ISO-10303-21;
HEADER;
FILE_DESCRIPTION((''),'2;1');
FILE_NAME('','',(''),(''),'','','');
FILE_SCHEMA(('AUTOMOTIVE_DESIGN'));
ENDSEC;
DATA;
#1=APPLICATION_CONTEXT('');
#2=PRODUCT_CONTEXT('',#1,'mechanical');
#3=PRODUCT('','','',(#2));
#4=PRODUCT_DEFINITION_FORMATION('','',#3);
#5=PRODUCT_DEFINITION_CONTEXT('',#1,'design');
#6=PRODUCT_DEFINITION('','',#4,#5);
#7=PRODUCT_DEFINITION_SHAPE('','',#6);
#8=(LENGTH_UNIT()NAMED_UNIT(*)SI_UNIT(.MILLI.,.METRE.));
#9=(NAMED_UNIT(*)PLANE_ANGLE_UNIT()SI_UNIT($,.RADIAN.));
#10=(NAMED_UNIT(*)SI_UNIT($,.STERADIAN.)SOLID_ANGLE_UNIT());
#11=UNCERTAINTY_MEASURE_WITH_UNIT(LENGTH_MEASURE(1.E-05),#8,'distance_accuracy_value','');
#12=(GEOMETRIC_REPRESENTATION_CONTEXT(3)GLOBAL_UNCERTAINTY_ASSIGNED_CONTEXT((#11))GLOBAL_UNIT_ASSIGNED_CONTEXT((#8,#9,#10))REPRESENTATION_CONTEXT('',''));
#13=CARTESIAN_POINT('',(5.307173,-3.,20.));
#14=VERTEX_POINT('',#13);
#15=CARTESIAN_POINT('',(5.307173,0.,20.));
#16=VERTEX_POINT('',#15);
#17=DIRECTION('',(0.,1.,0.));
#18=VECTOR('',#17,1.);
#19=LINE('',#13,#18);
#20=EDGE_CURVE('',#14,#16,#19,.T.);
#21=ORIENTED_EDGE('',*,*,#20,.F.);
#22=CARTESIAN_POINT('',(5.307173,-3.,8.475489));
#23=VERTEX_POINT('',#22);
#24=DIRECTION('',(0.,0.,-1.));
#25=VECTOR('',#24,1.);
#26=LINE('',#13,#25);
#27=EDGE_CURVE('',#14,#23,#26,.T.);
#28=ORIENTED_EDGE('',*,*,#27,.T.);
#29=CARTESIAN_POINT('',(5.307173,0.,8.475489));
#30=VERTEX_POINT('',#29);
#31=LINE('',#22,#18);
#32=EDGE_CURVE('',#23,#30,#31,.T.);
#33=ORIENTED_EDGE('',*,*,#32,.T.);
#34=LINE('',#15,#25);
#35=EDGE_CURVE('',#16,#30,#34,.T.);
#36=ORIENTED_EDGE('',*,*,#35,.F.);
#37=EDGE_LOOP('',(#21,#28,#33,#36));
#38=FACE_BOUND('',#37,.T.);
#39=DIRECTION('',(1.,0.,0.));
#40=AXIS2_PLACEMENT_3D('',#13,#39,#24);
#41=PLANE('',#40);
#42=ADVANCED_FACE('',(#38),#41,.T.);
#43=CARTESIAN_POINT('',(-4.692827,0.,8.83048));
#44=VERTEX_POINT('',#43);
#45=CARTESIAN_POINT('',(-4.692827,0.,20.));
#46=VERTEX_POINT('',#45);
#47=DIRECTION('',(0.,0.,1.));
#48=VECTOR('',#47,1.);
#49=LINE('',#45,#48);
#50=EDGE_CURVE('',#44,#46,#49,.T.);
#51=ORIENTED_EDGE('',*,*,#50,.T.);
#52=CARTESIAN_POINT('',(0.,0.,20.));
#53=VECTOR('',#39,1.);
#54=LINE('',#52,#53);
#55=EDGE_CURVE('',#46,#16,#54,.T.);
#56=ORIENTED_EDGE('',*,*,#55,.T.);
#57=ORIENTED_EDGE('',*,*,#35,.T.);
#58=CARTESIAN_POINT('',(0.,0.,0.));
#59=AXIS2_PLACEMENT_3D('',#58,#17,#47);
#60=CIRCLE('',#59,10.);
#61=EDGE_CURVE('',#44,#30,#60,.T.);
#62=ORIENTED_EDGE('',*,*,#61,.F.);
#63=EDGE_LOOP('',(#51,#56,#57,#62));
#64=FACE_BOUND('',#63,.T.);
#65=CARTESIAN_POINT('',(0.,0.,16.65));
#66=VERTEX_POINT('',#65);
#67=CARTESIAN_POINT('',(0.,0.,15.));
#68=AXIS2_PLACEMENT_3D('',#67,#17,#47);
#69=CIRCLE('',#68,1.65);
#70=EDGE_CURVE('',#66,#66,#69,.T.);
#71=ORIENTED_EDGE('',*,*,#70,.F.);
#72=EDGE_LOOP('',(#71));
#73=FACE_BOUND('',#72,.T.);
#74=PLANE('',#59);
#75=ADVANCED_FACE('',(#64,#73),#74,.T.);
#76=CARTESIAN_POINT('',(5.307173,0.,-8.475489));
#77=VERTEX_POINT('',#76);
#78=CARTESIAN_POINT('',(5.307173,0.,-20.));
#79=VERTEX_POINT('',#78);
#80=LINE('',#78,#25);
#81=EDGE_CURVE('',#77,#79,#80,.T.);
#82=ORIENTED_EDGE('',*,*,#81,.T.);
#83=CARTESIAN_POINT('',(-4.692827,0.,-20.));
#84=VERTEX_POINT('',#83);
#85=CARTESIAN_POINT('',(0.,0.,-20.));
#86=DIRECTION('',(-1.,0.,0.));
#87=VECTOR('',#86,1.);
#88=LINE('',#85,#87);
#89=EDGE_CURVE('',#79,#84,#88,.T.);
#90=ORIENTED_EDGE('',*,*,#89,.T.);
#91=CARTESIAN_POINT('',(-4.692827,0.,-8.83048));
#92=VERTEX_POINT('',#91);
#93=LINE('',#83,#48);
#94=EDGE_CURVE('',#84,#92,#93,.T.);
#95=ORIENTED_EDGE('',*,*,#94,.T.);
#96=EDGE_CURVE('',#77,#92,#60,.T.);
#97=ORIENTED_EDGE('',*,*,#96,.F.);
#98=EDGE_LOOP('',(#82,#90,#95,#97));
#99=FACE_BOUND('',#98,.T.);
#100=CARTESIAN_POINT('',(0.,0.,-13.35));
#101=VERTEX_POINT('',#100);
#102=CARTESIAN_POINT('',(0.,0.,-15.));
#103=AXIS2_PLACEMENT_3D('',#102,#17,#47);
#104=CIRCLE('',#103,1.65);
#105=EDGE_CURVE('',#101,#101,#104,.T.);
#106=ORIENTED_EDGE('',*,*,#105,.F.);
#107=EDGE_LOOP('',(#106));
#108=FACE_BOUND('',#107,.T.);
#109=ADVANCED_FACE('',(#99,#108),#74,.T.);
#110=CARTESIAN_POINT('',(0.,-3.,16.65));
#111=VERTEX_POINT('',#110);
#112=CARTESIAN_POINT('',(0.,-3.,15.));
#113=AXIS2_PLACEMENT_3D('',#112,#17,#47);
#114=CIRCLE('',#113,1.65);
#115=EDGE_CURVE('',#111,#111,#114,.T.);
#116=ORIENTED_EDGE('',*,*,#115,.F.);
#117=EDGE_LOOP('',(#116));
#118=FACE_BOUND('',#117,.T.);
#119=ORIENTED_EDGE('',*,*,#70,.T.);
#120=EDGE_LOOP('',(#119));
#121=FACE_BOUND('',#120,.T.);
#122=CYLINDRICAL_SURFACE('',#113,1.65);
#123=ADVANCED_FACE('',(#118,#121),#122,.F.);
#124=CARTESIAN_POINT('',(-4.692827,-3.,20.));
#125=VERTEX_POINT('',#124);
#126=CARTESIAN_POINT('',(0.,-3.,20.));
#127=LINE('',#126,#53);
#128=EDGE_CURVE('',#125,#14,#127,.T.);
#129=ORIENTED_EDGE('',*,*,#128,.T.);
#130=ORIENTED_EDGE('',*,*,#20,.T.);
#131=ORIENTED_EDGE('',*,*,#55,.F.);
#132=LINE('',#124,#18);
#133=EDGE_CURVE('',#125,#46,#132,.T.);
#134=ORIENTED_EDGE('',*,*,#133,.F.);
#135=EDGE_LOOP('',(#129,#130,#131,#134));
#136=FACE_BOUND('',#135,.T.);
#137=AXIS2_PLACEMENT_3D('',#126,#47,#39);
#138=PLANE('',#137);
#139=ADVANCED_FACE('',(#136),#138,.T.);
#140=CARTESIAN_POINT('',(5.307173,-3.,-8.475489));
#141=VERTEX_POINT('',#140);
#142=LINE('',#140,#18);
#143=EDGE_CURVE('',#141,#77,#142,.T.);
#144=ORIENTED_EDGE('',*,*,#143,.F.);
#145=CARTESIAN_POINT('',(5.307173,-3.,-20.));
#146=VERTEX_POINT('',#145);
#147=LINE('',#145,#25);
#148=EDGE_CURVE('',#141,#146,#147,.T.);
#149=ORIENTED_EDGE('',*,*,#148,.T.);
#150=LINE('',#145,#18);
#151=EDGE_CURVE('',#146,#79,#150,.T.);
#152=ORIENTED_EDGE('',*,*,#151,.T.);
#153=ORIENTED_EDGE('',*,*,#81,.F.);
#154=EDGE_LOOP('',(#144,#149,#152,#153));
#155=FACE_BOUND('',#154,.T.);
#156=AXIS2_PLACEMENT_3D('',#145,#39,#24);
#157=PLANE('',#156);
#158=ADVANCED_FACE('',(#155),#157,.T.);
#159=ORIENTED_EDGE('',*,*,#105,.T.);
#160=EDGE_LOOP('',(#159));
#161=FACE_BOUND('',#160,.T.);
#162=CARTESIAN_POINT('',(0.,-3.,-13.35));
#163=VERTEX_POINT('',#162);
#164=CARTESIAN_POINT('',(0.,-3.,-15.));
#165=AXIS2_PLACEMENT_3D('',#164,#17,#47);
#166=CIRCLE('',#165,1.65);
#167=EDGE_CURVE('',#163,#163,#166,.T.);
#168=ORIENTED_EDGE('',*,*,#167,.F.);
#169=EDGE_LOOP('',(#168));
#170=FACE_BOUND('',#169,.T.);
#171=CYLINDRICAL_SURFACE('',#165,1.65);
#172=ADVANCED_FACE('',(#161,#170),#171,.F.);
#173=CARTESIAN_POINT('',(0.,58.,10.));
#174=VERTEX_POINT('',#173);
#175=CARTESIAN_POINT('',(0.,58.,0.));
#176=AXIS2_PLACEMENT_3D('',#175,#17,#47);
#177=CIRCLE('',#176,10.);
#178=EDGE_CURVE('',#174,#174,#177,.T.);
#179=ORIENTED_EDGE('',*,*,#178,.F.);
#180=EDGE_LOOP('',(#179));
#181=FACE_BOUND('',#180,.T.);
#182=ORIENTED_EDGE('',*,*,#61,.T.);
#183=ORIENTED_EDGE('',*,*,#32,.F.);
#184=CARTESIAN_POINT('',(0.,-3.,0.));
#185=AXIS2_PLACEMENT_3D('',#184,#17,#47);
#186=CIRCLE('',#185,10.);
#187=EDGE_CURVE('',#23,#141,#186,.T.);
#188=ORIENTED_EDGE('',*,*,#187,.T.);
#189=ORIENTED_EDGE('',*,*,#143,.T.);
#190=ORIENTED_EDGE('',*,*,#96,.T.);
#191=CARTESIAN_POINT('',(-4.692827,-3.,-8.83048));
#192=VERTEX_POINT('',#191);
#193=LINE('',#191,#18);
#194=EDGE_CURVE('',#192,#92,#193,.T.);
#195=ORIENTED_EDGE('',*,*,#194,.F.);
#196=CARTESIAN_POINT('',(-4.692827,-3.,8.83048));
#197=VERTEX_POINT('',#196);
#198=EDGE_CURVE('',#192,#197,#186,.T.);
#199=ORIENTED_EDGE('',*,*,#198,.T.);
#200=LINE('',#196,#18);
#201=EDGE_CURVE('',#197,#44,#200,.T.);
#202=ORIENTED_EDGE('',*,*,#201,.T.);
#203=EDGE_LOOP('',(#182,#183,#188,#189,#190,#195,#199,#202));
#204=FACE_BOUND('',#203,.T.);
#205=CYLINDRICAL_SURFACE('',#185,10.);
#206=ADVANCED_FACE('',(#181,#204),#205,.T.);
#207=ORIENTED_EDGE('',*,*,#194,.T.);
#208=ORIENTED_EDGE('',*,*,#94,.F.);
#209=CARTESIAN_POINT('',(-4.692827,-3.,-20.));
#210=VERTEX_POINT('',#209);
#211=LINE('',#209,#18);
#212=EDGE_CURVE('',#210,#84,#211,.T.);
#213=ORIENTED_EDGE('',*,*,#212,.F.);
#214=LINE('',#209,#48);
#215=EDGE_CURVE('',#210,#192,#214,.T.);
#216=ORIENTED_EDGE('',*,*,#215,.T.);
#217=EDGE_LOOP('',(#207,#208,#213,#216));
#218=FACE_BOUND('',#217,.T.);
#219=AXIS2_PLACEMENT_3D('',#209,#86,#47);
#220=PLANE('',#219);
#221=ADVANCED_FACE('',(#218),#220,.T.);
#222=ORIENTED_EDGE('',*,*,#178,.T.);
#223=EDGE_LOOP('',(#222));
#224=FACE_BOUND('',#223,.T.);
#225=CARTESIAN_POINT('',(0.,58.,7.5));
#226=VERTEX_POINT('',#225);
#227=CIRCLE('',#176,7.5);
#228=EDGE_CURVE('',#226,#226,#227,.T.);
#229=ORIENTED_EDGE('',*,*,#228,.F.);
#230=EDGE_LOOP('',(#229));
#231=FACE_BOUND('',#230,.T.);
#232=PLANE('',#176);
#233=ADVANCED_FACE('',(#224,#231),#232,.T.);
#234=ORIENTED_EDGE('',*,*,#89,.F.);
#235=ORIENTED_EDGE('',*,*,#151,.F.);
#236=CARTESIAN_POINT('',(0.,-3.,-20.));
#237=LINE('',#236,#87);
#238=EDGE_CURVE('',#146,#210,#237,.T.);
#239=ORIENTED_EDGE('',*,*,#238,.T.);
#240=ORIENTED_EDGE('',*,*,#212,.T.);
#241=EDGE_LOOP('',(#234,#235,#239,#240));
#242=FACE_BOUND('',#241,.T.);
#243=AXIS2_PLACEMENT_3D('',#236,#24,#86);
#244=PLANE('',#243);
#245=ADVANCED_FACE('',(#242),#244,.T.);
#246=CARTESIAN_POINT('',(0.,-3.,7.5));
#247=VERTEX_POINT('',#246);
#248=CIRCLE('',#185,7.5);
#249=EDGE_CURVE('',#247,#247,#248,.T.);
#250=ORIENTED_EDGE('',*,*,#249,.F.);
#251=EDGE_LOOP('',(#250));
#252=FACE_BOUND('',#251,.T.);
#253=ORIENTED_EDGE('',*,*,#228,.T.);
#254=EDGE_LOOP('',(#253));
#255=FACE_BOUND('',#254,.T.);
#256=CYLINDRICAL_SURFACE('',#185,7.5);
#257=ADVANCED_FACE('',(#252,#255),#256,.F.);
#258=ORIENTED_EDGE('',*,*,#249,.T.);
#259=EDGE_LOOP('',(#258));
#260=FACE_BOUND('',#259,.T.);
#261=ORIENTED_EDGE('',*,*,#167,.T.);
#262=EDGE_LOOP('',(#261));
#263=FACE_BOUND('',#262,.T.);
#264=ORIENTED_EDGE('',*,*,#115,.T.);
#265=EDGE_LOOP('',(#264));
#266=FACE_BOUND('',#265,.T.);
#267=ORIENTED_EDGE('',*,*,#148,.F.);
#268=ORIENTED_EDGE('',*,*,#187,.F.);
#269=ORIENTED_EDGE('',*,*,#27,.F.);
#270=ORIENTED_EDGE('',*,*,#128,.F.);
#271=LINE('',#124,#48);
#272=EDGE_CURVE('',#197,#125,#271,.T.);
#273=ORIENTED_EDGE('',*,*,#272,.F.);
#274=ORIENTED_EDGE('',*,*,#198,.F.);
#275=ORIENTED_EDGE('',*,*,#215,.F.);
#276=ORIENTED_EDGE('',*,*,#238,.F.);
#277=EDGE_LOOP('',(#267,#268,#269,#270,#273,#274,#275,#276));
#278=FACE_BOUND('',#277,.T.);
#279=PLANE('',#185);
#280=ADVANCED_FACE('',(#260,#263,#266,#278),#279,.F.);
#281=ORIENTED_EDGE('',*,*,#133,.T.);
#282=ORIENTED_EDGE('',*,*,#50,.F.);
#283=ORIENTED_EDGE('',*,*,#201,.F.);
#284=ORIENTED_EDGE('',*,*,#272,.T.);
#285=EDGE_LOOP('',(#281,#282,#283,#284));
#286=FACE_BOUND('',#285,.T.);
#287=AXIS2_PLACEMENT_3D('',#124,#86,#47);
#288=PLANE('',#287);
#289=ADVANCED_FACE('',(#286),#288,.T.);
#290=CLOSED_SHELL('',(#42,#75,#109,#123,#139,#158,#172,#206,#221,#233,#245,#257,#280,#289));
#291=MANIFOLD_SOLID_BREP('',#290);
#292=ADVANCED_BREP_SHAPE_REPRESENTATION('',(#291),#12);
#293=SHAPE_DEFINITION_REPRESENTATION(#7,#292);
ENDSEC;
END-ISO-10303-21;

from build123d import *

# Parameters (mm, degrees)
ESQUISSE1_R        = 7.5
ESQUISSE1_R_2      = 1.65
BOSS_EXTRU_1_DEPTH = 3
BOSS_EXTRU_2_START = 58
ESQUISSE2_R        = 10
ESQUISSE2_R_2      = 7.5
BOSS_EXTRU_2_DEPTH = 58


with BuildPart() as part:
    # Esquisse1 → Boss.-Extru.1 (new body)
    with BuildSketch(Plane(origin=(0, 0, 0), x_dir=(1, 0, 0), z_dir=(0, 1, 0))):
        with BuildLine():
            Line((0, 20), (5.307172847, 20))
            Line((5.307172847, 20), (5.307172847, 8.475489152))
            ThreePointArc((5.307172847, 8.475489152), (10, 0), (5.307172847, -8.475489152))
            Line((5.307172847, -8.475489152), (5.307172847, -20))
            Line((5.307172847, -20), (0, -20))
            Line((0, -20), (-4.692827153, -20))
            Line((-4.692827153, -20), (-4.692827153, -8.830479789))
            ThreePointArc((-4.692827153, -8.830479789), (-10, 0), (-4.692827153, 8.830479789))
            Line((-4.692827153, 8.830479789), (-4.692827153, 20))
            Line((-4.692827153, 20), (0, 20))
        make_face()
        with Locations(Location((0, 0, 0), (0, 0, 270))):
            Circle(ESQUISSE1_R, mode=Mode.SUBTRACT)
        with Locations(Location((0, 15, 0), (0, 0, 270))):
            Circle(ESQUISSE1_R_2, mode=Mode.SUBTRACT)
        with Locations(Location((0, -15, 0), (0, 0, 270))):
            Circle(ESQUISSE1_R_2, mode=Mode.SUBTRACT)
    extrude(amount=-BOSS_EXTRU_1_DEPTH)

    # Esquisse2 → Boss.-Extru.2 (add)
    with BuildSketch(Plane(origin=(0, 0, 0), x_dir=(1, 0, 0), z_dir=(0, 1, 0)).offset(BOSS_EXTRU_2_START)):
        with Locations(Location((0, 0, 0), (0, 0, 270))):
            Circle(ESQUISSE2_R)
        with Locations(Location((0, 0, 0), (0, 0, 270))):
            Circle(ESQUISSE2_R_2, mode=Mode.SUBTRACT)
    extrude(amount=-BOSS_EXTRU_2_DEPTH)


solid = part.part
